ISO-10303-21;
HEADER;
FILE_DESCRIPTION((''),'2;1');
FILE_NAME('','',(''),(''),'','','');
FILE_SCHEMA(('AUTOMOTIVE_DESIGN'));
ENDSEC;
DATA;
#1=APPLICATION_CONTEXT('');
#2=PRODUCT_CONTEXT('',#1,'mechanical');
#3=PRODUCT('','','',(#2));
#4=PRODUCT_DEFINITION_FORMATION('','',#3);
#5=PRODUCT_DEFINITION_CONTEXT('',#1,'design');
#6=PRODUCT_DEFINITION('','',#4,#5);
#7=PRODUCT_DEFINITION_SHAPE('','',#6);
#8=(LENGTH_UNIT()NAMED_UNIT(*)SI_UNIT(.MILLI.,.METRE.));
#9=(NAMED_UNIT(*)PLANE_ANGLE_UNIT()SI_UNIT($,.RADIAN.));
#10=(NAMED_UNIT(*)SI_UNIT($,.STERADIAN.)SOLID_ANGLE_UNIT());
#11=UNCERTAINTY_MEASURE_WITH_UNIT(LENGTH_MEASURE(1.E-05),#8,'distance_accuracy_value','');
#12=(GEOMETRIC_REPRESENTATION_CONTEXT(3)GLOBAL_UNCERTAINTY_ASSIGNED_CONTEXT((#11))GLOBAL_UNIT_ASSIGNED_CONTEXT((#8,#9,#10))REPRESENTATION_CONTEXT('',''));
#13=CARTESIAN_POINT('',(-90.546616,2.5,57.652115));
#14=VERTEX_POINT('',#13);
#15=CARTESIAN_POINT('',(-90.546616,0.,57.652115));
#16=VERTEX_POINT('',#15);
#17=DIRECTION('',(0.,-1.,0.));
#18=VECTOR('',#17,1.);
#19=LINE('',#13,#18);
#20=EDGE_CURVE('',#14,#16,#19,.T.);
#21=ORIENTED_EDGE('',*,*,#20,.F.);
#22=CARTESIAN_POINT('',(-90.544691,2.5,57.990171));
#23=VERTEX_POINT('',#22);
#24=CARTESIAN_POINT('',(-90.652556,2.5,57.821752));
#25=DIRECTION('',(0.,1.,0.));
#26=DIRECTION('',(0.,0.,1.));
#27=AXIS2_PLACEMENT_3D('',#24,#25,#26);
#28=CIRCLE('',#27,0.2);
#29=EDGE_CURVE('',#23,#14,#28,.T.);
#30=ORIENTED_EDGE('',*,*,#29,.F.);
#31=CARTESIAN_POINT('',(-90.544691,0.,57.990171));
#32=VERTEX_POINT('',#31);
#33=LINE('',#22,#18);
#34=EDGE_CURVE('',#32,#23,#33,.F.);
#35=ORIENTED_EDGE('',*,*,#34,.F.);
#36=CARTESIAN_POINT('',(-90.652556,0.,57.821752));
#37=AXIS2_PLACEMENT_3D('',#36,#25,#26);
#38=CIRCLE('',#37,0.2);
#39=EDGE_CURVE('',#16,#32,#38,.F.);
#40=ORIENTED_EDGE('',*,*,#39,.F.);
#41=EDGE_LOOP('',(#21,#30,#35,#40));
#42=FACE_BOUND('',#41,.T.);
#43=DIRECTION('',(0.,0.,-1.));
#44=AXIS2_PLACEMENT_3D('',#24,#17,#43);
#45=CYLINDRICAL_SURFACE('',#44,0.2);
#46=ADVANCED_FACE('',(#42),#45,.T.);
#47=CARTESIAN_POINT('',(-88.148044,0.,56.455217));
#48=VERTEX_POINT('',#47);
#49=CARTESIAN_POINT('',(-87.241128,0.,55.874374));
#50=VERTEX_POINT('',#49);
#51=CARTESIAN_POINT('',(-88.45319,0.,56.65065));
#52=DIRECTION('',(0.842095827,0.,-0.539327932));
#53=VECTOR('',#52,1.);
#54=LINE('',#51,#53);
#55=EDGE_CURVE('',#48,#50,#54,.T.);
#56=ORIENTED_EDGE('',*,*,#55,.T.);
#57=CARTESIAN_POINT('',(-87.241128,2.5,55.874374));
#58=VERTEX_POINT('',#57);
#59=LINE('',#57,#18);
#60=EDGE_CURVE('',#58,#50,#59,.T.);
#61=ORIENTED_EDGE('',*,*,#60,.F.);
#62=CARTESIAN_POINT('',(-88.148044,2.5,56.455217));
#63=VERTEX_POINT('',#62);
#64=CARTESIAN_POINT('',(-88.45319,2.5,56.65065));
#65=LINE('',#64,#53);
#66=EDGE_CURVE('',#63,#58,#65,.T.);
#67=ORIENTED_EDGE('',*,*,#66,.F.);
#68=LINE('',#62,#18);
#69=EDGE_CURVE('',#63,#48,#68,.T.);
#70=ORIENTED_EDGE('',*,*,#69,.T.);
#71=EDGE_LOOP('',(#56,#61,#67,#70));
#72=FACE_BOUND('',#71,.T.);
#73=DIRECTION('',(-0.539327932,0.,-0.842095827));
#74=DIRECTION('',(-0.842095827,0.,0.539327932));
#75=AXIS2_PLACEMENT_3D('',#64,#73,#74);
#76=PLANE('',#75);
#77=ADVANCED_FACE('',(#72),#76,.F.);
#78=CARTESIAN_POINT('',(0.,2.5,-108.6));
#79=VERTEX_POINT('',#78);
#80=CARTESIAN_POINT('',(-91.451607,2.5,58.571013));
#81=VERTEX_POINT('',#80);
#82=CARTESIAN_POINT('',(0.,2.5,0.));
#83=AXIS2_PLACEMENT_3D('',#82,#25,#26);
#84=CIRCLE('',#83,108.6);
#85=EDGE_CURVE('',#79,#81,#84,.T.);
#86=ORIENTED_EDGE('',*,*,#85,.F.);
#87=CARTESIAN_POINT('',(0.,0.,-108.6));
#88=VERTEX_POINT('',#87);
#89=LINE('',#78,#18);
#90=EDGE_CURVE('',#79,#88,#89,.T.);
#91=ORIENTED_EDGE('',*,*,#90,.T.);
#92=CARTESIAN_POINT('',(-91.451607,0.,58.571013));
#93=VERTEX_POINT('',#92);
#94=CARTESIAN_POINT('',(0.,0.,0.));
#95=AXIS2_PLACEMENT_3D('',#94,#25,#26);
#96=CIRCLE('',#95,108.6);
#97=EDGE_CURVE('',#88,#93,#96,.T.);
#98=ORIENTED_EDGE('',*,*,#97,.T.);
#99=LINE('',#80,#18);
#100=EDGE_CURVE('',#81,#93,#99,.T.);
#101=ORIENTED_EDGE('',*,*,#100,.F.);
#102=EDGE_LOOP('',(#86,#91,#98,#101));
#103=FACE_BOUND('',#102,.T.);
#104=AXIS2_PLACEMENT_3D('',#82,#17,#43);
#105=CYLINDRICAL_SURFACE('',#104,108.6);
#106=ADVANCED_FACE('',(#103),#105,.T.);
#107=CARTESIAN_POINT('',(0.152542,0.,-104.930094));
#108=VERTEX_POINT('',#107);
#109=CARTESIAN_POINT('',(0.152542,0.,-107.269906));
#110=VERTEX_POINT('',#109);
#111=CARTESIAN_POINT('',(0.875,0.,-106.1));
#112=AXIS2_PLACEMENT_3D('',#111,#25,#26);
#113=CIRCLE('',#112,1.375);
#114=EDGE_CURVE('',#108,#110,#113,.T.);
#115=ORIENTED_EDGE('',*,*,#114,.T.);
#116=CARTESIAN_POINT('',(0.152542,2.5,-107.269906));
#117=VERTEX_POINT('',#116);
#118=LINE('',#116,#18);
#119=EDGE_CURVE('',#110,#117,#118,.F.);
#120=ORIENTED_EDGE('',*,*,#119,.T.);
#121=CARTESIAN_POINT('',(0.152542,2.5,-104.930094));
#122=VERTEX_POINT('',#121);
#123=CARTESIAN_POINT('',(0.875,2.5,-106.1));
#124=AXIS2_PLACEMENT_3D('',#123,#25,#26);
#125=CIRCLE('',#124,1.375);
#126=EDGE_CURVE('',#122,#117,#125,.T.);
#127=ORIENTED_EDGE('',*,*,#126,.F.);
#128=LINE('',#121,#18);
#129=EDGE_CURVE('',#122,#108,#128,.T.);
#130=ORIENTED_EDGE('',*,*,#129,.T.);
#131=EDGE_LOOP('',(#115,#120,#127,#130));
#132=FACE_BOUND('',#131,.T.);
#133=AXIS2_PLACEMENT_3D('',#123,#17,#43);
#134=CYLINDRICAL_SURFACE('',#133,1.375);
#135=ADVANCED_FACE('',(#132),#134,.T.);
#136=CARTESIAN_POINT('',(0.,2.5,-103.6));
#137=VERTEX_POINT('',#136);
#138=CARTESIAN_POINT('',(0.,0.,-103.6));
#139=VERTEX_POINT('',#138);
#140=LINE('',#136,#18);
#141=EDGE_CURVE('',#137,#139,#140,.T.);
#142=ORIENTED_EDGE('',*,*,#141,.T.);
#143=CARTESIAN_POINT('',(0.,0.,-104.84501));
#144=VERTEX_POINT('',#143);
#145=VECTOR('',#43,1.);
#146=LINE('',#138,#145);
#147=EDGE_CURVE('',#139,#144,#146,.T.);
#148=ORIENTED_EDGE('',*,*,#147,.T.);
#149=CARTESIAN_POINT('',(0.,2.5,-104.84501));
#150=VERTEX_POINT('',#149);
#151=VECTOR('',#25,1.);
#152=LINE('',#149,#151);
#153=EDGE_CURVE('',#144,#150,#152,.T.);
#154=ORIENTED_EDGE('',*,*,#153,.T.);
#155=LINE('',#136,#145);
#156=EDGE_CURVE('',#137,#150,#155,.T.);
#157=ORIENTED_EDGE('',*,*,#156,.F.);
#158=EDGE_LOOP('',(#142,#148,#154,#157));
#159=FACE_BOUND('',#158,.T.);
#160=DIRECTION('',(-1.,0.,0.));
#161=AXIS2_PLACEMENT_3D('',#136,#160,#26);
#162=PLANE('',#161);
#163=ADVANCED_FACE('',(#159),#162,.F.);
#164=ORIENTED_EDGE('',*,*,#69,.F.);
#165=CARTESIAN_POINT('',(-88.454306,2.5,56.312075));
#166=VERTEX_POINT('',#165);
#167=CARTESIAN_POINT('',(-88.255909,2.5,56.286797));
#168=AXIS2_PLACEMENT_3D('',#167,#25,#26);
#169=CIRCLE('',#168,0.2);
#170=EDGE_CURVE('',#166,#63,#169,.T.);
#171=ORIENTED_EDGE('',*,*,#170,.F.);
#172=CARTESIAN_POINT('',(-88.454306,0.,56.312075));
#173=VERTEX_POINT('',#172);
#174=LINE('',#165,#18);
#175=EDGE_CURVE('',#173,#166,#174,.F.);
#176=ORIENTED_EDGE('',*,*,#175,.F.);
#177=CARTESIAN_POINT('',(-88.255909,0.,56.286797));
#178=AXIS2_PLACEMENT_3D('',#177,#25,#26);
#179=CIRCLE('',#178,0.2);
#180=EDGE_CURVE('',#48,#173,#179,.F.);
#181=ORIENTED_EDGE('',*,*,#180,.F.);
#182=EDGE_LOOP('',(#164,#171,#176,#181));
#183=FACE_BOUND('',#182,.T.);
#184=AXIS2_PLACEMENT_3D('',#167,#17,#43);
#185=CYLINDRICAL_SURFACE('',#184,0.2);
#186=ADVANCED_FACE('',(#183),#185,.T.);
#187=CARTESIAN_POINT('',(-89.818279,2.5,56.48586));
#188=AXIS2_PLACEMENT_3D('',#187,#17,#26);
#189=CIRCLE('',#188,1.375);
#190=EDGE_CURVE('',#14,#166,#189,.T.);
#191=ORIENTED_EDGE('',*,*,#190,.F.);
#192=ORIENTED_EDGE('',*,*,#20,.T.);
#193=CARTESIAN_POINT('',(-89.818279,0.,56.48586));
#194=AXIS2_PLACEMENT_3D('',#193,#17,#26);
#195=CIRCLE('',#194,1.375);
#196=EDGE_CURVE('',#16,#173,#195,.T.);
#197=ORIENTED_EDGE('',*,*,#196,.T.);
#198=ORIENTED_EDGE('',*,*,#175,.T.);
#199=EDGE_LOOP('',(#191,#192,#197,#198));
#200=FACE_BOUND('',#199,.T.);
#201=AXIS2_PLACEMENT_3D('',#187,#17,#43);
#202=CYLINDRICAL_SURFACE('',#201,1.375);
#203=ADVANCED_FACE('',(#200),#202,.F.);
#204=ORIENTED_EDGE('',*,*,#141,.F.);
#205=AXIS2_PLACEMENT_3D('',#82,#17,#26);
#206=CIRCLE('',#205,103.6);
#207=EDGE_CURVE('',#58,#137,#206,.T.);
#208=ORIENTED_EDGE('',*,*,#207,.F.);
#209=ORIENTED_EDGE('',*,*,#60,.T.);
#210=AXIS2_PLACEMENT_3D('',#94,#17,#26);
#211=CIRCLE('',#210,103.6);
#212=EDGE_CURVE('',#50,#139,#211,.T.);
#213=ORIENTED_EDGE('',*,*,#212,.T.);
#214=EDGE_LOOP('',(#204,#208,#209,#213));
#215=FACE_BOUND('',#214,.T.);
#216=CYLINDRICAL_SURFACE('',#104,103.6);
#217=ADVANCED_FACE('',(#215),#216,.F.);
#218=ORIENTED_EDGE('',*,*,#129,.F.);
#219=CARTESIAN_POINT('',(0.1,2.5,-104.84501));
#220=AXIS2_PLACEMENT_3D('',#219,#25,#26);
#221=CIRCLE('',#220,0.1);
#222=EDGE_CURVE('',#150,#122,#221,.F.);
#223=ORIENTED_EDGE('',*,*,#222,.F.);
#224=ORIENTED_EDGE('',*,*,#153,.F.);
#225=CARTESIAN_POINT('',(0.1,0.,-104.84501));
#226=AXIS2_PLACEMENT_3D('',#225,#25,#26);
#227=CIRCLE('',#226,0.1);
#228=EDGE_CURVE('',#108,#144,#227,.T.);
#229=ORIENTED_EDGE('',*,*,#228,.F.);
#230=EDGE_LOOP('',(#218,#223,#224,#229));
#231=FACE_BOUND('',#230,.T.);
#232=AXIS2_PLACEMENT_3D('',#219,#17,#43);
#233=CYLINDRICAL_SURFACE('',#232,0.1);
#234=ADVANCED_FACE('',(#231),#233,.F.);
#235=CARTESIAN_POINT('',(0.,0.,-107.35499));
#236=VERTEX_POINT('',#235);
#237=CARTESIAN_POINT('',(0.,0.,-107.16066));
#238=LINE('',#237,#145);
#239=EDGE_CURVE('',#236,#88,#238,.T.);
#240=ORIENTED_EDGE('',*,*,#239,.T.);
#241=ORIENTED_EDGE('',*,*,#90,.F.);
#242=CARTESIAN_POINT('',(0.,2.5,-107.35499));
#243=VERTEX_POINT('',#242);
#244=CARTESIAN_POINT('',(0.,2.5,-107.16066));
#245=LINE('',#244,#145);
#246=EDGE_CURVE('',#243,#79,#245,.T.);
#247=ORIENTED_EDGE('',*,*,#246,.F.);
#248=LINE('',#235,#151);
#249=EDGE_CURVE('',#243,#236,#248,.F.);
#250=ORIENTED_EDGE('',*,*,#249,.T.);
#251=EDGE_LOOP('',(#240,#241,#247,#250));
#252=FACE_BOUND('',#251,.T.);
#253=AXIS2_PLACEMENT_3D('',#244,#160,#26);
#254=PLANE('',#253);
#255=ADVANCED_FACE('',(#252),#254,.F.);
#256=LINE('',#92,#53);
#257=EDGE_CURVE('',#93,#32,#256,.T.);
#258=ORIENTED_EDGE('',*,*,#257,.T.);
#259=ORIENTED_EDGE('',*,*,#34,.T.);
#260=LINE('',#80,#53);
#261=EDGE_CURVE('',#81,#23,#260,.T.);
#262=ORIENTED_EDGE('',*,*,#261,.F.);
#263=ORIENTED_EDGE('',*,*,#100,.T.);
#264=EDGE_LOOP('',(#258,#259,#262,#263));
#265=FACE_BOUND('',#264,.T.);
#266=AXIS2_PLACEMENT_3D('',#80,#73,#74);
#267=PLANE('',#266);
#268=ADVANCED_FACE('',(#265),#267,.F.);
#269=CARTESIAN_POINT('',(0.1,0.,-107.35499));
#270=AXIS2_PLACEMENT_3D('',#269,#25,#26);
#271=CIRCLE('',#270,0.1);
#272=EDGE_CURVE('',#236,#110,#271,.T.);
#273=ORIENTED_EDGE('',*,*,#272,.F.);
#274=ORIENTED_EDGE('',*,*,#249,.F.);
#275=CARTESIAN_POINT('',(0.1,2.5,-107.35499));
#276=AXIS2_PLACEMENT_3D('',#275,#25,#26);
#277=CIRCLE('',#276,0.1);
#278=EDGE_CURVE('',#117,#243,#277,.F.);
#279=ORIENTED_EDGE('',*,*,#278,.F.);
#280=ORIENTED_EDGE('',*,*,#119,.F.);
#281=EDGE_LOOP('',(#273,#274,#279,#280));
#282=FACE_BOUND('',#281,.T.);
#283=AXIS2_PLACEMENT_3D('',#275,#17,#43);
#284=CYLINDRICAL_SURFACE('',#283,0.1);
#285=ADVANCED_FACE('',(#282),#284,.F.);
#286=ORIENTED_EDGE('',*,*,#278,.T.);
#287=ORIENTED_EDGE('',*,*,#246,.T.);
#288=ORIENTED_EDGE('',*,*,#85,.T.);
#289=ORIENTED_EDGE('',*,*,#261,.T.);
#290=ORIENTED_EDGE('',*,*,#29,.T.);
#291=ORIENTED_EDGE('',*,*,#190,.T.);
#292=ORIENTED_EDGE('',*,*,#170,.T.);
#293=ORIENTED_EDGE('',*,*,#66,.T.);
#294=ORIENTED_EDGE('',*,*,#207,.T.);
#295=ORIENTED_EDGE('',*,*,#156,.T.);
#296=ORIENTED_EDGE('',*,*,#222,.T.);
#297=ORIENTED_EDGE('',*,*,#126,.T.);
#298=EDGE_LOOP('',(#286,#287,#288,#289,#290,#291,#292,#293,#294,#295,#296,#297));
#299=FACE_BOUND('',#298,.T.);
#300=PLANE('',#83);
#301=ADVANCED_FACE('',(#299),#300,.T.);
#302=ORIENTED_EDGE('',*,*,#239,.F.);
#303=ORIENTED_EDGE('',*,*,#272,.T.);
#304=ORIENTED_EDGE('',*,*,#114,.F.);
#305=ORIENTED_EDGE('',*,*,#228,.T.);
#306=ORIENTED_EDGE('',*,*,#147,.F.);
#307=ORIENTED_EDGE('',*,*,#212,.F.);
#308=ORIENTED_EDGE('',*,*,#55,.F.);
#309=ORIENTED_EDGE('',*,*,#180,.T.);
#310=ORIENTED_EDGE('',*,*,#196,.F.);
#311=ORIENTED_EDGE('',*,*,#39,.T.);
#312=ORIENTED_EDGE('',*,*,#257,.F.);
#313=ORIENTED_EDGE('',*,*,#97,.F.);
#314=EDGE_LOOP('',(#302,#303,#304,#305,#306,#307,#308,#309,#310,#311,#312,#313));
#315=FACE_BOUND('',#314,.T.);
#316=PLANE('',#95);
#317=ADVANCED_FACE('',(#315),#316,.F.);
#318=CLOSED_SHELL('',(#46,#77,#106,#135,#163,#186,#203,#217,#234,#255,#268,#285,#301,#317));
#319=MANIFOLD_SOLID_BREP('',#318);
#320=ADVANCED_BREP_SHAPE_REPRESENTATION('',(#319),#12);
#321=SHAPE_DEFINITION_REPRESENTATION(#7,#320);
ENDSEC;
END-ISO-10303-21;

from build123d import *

# Parameters (mm, degrees)
BOSS_EXTRUDE1_DEPTH = 2.5
FILLET1_R           = 0.2
FILLET2_R           = 0.1


with BuildPart() as part:
    # Sketch1 → Boss-Extrude1 (new body)
    with BuildSketch(Plane(origin=(0, 0, 0), x_dir=(1, 0, 0), z_dir=(0, 1, 0))):
        with BuildLine():
            Line((0, 103.6), (0, 105.039339828))
            ThreePointArc((0, 105.039339828), (2.25, 106.1), (0, 107.160660172))
            Line((0, 107.160660172), (0, 108.6))
            ThreePointArc((0, 108.6), (-95.275317005, 52.120763325), (-91.451606784, -58.571013451))
            Line((-91.451606784, -58.571013451), (-90.239544721, -57.794737277))
            ThreePointArc((-90.239544721, -57.794737277), (-90.559855065, -55.32797801), (-88.453189713, -56.650649963))
            Line((-88.453189713, -56.650649963), (-87.24112765, -55.874373789))
            ThreePointArc((-87.24112765, -55.874373789), (-90.888792281, 49.721096506), (0, 103.6))
        make_face()
    extrude(amount=BOSS_EXTRUDE1_DEPTH)

    # Fillet1
    fillet1_edges = [part.edges().sort_by_distance(p)[0] for p in [
        (-88.453189713, 1.25, 56.650649963),
        (-90.239544721, 1.25, 57.794737277),
    ]]
    fillet(fillet1_edges, radius=FILLET1_R)

    # Fillet2
    fillet2_edges = [part.edges().sort_by_distance(p)[0] for p in [
        (0, 1.25, -107.160660172),
        (0, 1.25, -105.039339828),
    ]]
    fillet(fillet2_edges, radius=FILLET2_R)


solid = part.part
